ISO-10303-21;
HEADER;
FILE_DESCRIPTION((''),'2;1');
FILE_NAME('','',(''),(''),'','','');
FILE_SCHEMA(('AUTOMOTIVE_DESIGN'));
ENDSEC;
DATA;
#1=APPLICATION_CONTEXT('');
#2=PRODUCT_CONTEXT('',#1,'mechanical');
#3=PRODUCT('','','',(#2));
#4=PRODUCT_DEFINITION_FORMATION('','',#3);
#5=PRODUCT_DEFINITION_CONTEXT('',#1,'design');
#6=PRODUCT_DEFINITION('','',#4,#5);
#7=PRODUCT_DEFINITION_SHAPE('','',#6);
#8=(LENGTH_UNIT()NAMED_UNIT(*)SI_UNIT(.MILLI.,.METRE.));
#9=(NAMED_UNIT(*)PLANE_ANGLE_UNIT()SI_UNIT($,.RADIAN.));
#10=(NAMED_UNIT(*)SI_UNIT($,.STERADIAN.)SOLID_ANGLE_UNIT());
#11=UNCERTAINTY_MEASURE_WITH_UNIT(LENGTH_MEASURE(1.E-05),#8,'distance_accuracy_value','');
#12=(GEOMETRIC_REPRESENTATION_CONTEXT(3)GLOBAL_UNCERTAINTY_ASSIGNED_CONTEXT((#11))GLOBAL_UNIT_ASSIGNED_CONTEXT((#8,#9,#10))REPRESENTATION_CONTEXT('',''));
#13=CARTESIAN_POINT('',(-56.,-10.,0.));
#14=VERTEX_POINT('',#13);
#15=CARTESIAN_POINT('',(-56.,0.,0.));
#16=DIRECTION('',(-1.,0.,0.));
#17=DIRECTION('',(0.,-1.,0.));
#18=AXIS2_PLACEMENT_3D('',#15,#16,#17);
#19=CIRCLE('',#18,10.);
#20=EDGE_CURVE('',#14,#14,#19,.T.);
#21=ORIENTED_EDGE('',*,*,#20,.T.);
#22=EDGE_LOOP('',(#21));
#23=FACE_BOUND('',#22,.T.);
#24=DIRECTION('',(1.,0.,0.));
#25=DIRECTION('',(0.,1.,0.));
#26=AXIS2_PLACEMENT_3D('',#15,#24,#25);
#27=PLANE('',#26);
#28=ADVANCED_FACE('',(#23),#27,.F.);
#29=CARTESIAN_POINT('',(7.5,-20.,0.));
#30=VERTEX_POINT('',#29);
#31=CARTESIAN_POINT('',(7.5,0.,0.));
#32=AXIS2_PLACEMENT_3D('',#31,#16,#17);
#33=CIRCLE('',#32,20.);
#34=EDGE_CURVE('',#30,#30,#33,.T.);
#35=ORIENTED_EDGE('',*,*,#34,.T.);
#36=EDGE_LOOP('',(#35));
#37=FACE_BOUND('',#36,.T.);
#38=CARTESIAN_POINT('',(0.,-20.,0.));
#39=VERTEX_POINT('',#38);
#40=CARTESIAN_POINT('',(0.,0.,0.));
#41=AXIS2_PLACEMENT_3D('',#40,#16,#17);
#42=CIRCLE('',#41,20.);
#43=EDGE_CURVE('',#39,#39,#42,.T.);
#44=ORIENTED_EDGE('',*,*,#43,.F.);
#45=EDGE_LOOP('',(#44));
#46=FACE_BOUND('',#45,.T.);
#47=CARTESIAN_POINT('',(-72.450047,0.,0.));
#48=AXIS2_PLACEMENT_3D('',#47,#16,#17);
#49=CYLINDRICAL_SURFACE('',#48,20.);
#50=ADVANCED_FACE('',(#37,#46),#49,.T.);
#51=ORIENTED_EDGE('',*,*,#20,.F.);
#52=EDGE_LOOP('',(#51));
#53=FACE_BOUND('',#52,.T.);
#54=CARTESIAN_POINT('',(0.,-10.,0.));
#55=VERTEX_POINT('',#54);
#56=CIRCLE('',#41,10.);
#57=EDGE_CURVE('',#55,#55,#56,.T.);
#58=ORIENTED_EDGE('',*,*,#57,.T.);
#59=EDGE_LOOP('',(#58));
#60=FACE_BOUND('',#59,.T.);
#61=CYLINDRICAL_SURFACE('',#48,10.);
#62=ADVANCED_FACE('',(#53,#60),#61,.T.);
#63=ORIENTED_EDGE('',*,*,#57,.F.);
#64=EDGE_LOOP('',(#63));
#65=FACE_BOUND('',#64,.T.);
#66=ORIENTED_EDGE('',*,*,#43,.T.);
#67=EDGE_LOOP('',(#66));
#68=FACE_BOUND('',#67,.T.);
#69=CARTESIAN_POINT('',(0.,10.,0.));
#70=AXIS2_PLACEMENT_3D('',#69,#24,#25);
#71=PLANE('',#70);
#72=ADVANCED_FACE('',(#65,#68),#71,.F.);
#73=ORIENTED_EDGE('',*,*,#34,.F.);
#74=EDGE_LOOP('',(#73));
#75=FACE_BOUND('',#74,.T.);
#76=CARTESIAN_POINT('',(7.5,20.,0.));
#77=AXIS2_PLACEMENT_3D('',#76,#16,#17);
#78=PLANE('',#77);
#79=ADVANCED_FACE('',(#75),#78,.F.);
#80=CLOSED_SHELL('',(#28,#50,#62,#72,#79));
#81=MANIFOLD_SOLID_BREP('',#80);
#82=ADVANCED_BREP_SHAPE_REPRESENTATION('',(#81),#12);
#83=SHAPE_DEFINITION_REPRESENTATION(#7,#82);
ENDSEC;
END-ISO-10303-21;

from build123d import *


with BuildPart() as part:
    # Sketch2 → Revolve1 (revolve)
    with BuildSketch(Plane.XY, mode=Mode.PRIVATE) as revolve1_sk:
        Polygon((-56, 10), (0, 10), (0, 20), (7.5, 20), (7.5, 0), (-56, 0), align=None)
    revolve(revolve1_sk.sketch.rotate(Axis((-72.450046798, 0, 0), (1, 0, 0)), 180), axis=Axis((-72.450046798, 0, 0), (1, 0, 0)))


solid = part.part
